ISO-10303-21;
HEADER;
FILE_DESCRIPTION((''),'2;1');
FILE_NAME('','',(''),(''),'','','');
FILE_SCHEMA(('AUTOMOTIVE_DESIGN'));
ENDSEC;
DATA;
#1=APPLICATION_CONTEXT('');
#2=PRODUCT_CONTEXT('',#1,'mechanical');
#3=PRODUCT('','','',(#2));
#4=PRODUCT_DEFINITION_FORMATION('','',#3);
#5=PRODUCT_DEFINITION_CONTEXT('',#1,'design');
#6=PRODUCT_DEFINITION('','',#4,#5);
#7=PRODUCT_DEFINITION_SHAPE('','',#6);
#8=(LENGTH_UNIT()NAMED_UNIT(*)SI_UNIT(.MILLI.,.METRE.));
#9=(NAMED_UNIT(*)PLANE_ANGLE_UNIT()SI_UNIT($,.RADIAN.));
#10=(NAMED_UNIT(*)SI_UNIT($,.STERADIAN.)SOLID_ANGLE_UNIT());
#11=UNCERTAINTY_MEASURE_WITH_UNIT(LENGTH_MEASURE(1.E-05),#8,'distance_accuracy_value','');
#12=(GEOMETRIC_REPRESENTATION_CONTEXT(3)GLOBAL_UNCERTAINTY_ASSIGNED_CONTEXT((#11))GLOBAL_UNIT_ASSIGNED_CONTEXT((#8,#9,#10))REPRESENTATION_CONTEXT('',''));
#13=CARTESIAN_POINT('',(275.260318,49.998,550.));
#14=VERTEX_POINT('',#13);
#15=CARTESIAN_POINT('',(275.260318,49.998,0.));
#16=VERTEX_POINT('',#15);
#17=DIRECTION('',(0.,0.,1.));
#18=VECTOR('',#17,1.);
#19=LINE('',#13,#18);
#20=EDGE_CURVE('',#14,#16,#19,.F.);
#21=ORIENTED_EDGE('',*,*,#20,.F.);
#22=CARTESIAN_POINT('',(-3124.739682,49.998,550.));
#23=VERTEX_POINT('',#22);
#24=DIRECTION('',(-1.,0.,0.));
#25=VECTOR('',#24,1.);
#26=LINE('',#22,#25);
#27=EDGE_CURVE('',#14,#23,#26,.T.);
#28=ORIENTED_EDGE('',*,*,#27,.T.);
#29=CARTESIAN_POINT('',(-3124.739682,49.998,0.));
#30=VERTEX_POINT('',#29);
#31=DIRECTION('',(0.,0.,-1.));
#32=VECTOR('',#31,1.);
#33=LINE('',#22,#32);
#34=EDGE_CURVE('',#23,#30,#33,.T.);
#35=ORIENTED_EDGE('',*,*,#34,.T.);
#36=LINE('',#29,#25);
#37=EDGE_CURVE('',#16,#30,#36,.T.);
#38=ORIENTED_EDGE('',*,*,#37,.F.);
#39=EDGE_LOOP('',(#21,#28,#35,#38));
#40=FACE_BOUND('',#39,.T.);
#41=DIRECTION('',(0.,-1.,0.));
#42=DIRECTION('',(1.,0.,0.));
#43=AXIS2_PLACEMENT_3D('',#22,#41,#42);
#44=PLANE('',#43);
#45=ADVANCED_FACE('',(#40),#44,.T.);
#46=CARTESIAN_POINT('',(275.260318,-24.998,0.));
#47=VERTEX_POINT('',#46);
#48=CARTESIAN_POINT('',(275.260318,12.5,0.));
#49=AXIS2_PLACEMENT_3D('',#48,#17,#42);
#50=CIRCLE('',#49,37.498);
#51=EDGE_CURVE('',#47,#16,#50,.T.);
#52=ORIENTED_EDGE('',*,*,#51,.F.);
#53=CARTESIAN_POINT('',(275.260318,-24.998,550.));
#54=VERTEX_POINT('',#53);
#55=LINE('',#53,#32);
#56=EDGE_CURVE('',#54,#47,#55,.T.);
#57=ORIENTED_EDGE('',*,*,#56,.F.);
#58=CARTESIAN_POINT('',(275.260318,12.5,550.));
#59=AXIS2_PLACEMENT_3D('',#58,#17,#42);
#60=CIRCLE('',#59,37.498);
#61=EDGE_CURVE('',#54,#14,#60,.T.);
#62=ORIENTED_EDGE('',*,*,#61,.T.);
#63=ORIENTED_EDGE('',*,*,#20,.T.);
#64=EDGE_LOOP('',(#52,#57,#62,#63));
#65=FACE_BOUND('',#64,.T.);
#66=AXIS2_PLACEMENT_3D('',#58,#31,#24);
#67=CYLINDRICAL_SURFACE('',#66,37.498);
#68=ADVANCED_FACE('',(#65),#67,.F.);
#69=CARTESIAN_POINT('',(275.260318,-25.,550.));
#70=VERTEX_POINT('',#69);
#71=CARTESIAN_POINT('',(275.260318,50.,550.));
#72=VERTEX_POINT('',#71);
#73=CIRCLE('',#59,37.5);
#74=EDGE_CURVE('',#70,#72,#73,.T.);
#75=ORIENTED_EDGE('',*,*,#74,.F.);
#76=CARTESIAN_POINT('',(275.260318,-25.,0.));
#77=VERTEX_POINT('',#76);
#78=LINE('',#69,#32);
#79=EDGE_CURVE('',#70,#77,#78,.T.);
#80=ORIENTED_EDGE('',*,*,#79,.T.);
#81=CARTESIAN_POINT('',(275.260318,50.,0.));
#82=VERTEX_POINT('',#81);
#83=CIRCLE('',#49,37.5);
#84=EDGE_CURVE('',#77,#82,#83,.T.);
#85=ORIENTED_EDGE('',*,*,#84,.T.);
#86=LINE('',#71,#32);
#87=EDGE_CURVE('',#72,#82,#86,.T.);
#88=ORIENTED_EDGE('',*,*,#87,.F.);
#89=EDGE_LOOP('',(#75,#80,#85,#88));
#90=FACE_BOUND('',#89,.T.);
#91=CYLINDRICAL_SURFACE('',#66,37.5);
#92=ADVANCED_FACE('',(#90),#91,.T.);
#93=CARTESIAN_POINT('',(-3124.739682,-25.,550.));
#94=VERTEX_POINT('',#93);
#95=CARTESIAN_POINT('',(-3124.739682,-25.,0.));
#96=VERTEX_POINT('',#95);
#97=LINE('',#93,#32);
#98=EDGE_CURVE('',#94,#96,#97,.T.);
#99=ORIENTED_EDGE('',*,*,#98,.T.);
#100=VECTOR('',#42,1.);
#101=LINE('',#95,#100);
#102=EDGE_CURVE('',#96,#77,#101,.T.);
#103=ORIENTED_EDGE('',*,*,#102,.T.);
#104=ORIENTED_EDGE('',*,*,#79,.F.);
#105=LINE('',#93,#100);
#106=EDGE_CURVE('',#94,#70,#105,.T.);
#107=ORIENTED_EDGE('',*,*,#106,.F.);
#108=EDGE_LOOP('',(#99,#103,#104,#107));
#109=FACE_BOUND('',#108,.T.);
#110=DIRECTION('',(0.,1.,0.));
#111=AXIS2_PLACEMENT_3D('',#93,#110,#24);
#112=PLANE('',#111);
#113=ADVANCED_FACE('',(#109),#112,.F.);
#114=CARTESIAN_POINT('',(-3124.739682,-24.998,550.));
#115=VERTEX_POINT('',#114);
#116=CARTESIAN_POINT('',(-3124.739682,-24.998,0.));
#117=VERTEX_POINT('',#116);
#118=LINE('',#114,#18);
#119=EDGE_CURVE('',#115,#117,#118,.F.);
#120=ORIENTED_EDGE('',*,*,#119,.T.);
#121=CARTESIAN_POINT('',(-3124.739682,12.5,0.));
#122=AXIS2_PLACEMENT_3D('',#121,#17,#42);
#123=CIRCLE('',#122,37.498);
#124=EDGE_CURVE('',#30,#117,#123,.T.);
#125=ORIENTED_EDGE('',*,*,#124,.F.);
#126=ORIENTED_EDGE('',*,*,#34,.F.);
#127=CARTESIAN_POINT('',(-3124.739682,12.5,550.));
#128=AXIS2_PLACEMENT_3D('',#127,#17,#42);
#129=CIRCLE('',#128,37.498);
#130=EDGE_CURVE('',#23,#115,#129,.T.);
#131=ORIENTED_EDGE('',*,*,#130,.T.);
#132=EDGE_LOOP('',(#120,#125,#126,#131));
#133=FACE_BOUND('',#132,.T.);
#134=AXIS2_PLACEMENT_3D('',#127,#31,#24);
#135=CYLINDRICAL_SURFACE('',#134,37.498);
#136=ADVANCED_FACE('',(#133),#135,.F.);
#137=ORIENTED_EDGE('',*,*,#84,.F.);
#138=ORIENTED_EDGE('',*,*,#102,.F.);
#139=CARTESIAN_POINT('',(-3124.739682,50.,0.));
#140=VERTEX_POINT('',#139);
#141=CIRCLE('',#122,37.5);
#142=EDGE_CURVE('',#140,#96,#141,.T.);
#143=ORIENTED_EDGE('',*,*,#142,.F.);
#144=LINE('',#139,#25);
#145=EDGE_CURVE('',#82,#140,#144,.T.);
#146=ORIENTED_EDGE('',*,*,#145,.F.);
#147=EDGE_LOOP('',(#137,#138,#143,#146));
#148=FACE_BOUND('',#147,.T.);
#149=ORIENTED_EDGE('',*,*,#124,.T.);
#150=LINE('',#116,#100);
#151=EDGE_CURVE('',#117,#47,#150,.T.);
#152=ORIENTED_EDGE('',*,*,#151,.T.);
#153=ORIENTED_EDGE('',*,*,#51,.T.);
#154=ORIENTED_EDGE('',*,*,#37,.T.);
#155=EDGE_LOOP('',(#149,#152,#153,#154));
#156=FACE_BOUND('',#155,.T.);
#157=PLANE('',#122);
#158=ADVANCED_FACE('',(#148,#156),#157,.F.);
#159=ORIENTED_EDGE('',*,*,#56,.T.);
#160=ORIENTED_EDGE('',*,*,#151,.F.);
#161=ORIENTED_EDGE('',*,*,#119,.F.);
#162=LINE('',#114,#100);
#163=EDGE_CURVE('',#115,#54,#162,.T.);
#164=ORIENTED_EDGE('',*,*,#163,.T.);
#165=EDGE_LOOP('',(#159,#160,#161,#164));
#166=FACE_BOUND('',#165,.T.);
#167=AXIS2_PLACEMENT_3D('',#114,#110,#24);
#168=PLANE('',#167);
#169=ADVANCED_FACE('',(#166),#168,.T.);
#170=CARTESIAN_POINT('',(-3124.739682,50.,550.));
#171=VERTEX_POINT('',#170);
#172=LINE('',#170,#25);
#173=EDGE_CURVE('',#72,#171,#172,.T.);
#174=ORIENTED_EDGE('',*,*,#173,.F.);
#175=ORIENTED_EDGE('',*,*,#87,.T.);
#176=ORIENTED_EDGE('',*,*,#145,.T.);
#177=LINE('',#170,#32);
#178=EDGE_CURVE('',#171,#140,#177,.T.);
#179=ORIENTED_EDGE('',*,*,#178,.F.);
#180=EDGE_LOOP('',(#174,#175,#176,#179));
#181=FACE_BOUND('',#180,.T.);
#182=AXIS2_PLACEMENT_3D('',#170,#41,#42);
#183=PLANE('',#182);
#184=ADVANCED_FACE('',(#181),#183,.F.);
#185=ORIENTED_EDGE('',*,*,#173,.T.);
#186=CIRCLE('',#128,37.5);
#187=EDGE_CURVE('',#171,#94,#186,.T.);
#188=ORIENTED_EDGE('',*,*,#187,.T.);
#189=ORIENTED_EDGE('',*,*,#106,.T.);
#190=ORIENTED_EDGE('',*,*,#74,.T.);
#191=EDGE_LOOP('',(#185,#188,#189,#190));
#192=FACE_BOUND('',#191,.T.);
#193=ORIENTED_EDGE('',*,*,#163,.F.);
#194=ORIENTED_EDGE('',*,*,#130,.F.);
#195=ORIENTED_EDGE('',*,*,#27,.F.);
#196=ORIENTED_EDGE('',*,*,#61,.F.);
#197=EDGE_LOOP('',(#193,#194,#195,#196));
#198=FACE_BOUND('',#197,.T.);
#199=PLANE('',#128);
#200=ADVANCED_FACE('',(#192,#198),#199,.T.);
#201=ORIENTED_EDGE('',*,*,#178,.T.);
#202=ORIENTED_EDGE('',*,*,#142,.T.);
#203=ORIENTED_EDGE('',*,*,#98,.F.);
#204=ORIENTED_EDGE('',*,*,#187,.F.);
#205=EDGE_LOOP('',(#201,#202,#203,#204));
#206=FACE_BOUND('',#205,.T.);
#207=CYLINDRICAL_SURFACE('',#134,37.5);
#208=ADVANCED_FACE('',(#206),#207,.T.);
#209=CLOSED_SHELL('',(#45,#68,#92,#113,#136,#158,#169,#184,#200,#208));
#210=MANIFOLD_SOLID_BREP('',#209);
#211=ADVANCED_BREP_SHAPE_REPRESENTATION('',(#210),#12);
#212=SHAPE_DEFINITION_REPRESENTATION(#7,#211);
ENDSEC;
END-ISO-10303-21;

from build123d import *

# Parameters (mm, degrees)
BOSS_EXTRUDE1_DEPTH = 550
SHELL1_T            = -0.002


with BuildPart() as part:
    # Sketch1 → Boss-Extrude1 (new body)
    with BuildSketch(Plane.XY):
        with BuildLine():
            Line((-3124.739682402, 50), (275.260317598, 50))
            ThreePointArc((275.260317598, 50), (312.760317598, 12.5), (275.260317598, -25))
            Line((275.260317598, -25), (-3124.739682402, -25))
            ThreePointArc((-3124.739682402, -25), (-3162.239682402, 12.5), (-3124.739682402, 50))
        make_face()
    extrude(amount=BOSS_EXTRUDE1_DEPTH)

    # Shell1
    shell1_openings = [part.faces().sort_by_distance(p)[0] for p in [
        (-1424.739682402, 12.5, 550),
        (-1424.739682402, 12.5, 0),
    ]]
    offset(amount=SHELL1_T, openings=shell1_openings, kind=Kind.INTERSECTION)


solid = part.part
